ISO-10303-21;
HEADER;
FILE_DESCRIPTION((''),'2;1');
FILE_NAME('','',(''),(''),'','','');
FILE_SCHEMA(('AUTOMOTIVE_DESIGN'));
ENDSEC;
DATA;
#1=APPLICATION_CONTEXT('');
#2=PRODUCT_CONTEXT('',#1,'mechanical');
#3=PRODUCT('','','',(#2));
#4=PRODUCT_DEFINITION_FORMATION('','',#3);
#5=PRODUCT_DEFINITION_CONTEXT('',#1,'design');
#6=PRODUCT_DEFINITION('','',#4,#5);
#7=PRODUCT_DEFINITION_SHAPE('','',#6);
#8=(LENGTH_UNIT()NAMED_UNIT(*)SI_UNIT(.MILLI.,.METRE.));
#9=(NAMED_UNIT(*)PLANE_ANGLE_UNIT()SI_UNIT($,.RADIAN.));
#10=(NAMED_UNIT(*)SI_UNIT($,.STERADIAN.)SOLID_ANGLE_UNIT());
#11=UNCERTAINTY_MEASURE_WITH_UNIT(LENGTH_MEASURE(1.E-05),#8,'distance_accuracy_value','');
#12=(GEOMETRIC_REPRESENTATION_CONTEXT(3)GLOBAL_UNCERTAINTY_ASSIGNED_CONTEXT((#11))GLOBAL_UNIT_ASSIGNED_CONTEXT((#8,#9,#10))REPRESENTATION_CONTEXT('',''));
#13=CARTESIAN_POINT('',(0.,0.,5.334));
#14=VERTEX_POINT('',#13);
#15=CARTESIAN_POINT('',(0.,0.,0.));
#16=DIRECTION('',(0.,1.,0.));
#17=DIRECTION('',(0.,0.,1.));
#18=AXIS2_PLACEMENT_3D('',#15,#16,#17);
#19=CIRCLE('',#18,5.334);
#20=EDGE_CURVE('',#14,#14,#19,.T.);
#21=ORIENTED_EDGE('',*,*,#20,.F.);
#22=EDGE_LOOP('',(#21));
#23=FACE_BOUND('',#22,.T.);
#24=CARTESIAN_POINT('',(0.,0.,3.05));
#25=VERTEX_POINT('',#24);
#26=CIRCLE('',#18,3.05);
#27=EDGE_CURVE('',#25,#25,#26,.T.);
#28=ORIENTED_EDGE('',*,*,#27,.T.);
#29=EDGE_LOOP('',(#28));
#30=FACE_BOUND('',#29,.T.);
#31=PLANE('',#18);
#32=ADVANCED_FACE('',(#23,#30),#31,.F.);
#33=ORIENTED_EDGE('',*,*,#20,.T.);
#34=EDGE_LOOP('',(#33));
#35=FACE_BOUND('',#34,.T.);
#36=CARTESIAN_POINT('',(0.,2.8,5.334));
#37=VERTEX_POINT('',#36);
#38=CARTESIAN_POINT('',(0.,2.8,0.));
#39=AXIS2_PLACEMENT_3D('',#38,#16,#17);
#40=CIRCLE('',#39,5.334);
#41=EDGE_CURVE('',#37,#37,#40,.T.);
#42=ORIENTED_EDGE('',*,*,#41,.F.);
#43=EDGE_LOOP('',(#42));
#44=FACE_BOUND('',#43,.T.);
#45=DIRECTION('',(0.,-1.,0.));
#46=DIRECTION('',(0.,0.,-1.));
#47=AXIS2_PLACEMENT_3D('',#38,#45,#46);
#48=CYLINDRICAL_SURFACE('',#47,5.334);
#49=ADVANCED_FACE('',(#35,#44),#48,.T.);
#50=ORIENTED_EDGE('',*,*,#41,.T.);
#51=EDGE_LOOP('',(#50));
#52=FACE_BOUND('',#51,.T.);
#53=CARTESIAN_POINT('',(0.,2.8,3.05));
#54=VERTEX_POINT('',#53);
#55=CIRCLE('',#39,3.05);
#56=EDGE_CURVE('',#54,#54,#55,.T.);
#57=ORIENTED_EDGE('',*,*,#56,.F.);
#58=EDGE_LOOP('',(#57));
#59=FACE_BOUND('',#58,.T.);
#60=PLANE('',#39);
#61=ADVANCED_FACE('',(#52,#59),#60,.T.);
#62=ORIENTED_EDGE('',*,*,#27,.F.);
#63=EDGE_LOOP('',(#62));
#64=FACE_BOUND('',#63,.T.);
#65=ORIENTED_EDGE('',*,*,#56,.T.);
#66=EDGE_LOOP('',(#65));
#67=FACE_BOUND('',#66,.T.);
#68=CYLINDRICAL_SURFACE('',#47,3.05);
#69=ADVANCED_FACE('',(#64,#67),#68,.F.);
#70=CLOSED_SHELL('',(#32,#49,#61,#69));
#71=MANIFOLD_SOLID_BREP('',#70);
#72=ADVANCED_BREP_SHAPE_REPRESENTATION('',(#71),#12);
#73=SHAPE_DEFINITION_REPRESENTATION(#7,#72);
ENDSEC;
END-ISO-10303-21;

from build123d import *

# Parameters (mm, degrees)
SKETCH1_R           = 5.334
SKETCH1_R_2         = 3.05
BOSS_EXTRUDE1_DEPTH = 2.8


with BuildPart() as part:
    # Sketch1 → Boss-Extrude1 (new body)
    with BuildSketch(Plane(origin=(0, 0, 0), x_dir=(1, 0, 0), z_dir=(0, 1, 0))):
        with Locations(Location((0, 0, 0), (0, 0, 270))):
            Circle(SKETCH1_R)
        with Locations(Location((0, 0, 0), (0, 0, 270))):
            Circle(SKETCH1_R_2, mode=Mode.SUBTRACT)
    extrude(amount=BOSS_EXTRUDE1_DEPTH)


solid = part.part
